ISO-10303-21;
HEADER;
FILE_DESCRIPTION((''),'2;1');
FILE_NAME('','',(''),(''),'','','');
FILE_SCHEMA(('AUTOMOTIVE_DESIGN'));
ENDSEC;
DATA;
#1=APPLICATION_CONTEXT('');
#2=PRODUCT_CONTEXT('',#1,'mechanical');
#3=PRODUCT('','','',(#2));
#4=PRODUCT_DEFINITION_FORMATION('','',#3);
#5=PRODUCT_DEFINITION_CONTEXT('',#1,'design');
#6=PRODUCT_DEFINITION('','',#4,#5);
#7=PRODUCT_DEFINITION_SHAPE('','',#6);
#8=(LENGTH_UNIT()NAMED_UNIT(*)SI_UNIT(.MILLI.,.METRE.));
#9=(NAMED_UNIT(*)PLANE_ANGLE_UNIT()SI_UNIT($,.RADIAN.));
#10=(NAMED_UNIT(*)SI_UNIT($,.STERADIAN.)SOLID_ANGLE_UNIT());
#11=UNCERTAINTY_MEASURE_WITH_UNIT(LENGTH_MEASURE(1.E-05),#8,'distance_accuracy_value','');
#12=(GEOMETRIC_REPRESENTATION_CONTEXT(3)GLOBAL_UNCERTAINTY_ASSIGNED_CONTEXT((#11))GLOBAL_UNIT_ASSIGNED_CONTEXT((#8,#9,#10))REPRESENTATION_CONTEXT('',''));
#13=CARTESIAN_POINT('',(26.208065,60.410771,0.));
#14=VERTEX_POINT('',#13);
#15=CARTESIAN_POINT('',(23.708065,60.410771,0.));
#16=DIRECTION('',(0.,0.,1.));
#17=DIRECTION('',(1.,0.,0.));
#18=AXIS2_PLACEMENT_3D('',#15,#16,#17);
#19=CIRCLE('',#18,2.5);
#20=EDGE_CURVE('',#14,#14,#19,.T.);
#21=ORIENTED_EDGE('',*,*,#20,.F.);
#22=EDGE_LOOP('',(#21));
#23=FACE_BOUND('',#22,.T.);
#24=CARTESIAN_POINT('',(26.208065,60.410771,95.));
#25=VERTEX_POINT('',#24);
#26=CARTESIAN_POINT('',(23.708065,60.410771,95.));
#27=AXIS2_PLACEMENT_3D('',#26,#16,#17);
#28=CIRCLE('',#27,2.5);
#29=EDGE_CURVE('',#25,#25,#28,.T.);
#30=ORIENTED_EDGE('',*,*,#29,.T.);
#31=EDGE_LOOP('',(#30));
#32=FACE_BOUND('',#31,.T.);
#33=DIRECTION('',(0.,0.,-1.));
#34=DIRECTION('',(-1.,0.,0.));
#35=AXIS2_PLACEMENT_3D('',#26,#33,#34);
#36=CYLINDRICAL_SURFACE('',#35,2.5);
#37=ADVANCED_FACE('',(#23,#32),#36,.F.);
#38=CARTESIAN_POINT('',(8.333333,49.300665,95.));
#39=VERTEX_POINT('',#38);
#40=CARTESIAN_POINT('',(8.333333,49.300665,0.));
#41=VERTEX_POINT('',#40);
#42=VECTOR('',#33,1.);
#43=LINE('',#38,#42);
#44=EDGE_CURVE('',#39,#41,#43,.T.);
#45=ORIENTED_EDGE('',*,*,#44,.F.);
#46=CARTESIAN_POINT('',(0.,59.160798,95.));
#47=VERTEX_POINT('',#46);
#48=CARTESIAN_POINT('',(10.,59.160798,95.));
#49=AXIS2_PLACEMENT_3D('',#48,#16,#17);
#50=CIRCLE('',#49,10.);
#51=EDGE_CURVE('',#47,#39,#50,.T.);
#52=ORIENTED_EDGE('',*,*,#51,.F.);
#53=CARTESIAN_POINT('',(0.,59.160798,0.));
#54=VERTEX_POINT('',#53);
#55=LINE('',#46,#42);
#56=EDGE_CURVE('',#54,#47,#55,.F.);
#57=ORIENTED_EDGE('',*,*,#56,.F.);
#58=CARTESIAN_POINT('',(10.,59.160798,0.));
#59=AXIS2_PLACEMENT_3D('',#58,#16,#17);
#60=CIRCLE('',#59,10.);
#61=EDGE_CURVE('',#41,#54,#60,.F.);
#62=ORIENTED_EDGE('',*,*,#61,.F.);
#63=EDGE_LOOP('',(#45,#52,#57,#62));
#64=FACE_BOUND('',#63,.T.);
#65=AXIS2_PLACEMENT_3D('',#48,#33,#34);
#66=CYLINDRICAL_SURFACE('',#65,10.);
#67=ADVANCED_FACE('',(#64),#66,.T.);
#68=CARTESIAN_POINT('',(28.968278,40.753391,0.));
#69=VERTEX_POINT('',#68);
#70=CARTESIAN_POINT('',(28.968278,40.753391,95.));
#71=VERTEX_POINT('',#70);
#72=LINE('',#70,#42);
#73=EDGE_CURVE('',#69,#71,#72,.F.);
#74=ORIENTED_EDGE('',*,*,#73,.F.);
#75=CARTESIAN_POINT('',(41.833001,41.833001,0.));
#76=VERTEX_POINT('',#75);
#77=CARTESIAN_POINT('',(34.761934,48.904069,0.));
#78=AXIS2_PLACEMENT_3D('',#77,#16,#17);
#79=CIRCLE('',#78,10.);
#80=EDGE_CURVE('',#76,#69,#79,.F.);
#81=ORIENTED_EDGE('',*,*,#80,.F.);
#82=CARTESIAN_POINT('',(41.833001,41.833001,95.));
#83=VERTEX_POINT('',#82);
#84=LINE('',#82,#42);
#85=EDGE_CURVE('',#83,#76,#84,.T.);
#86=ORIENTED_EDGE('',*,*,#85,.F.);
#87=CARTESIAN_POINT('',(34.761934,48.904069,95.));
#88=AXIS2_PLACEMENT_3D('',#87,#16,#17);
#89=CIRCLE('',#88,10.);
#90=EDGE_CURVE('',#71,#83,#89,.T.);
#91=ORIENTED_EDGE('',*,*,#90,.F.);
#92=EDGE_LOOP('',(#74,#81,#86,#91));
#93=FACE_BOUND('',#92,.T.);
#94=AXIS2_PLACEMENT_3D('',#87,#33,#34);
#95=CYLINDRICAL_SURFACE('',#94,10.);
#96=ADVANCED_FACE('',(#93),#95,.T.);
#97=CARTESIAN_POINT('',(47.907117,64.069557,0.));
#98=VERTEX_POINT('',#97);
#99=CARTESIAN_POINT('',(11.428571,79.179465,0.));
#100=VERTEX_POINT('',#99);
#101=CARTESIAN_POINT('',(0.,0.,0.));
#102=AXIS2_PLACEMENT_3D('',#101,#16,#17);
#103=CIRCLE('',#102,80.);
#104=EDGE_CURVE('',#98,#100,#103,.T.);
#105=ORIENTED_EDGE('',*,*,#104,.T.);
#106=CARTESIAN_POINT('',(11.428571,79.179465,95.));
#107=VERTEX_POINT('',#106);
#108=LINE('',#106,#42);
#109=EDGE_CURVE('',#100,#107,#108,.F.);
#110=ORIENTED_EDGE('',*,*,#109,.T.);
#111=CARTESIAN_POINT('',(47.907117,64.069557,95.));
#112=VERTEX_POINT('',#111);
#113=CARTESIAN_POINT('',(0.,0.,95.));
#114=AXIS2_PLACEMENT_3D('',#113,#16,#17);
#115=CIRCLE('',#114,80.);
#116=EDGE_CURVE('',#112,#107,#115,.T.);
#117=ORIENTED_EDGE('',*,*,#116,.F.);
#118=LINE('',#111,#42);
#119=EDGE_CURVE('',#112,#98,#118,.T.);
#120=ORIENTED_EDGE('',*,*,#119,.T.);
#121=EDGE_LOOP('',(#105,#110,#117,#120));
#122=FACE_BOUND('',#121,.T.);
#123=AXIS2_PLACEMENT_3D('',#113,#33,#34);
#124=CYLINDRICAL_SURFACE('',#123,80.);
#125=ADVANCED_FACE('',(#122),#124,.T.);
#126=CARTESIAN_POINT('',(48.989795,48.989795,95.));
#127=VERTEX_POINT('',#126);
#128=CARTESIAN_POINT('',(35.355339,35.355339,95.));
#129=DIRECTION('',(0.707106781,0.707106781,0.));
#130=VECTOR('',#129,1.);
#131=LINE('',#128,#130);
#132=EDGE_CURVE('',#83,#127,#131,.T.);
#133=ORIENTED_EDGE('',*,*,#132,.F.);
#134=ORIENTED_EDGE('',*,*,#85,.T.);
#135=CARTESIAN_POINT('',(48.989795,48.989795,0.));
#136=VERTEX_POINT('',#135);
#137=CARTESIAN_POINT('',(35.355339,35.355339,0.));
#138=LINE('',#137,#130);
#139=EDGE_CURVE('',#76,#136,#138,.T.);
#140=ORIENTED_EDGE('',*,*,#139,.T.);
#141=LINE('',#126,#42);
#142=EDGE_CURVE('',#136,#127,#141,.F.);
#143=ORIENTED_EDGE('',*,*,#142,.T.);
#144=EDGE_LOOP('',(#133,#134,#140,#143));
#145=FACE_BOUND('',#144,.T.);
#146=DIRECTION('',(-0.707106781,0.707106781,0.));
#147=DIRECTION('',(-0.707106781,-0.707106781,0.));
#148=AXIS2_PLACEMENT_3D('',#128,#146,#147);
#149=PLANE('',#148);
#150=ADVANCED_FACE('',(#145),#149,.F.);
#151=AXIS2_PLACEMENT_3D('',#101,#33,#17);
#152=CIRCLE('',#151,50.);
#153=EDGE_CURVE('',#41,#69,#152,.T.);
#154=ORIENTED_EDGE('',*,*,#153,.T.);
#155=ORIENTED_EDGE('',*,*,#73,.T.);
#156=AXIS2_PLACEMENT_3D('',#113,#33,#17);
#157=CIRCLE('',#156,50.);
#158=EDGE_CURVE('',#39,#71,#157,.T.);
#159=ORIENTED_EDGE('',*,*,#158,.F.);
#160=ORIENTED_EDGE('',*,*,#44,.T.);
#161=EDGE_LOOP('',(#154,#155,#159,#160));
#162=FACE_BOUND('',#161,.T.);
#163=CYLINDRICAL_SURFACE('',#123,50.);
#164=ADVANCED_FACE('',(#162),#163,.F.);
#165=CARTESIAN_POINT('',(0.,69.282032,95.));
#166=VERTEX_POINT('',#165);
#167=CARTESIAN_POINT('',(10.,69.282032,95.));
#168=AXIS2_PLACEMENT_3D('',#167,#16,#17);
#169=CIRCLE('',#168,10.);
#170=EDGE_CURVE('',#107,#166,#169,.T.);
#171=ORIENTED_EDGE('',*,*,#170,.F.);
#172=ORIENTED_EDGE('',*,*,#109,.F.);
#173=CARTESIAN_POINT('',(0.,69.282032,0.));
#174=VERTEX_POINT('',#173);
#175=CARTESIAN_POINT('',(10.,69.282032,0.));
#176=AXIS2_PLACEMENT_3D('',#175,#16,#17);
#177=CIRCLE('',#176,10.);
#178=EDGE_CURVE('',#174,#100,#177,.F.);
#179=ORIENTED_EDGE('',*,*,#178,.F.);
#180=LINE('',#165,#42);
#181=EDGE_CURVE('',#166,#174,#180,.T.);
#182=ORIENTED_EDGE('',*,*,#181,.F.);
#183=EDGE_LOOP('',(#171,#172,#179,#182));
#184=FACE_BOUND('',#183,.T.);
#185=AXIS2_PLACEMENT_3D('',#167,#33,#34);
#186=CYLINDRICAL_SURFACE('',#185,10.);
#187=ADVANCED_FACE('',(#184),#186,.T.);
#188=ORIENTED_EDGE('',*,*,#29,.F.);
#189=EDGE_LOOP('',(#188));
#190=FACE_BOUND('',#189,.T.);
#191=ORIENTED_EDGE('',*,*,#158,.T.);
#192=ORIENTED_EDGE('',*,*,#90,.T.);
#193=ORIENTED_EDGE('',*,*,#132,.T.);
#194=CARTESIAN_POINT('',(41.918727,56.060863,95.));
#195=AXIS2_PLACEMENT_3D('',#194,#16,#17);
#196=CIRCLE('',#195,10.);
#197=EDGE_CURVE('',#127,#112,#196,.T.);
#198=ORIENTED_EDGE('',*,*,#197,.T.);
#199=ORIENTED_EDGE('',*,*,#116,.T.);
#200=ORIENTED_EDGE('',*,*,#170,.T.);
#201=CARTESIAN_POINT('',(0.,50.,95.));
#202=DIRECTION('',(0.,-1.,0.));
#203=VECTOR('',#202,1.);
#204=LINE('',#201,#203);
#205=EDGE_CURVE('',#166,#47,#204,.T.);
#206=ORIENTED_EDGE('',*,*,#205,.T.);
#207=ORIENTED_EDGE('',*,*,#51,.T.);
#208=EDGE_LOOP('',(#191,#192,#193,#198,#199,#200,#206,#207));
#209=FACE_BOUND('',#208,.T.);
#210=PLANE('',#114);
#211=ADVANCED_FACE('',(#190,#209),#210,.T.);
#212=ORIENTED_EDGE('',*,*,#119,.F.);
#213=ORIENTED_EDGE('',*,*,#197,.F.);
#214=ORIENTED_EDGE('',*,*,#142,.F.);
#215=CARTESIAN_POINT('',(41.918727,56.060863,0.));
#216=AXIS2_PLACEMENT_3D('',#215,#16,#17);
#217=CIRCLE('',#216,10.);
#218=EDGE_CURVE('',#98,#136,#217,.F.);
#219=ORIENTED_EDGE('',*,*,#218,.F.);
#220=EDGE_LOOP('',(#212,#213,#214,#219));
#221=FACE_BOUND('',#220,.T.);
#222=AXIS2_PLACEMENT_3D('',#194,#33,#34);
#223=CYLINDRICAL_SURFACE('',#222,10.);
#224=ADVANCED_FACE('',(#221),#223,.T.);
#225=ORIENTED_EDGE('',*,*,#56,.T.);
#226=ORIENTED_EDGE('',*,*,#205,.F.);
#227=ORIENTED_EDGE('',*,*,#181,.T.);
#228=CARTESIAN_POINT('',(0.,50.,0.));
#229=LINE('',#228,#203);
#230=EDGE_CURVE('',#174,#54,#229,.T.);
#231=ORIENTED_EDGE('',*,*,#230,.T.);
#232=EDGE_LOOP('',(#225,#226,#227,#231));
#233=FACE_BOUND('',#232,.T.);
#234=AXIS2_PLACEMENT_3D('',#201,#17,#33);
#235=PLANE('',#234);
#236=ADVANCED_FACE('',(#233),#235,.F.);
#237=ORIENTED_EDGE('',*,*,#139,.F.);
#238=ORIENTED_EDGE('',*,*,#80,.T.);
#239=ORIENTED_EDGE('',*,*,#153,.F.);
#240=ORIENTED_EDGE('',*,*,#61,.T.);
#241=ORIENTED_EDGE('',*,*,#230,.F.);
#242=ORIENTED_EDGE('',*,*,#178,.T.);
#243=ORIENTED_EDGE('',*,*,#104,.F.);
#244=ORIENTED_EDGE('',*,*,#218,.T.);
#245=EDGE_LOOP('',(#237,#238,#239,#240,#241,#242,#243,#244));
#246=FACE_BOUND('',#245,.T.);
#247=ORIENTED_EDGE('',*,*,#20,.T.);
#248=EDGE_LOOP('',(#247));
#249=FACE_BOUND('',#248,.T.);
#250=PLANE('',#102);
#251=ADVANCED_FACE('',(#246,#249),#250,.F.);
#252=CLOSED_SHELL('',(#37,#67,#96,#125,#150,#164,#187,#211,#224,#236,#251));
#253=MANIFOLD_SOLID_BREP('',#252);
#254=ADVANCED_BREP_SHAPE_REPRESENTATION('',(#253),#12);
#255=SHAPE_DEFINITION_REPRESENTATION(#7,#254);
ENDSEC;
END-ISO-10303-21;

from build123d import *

# Parameters (mm, degrees)
SKETCH_1_R      = 2.5
EXTRUDE_1_DEPTH = 95
FILLET_1_R      = 10


with BuildPart() as part:
    # 草图1 → 凸台-拉伸1 (new body)
    with BuildSketch(Plane.XY):
        with BuildLine():
            Line((0, 50), (0, 80))
            ThreePointArc((0, 80), (30.614674589, 73.910362601), (56.568542495, 56.568542495))
            Line((56.568542495, 56.568542495), (35.355339059, 35.355339059))
            ThreePointArc((35.355339059, 35.355339059), (19.134171618, 46.193976626), (0, 50))
        make_face()
        with Locations((23.70806473, 60.410770511)):
            Circle(SKETCH_1_R, mode=Mode.SUBTRACT)
    extrude(amount=EXTRUDE_1_DEPTH)

    # 圆角1
    fillet_1_edges = [part.edges().sort_by_distance(p)[0] for p in [
        (56.568542495, 56.568542495, 47.5),
        (35.355339059, 35.355339059, 47.5),
        (0, 50, 47.5),
        (0, 80, 47.5),
    ]]
    fillet(fillet_1_edges, radius=FILLET_1_R)


solid = part.part
